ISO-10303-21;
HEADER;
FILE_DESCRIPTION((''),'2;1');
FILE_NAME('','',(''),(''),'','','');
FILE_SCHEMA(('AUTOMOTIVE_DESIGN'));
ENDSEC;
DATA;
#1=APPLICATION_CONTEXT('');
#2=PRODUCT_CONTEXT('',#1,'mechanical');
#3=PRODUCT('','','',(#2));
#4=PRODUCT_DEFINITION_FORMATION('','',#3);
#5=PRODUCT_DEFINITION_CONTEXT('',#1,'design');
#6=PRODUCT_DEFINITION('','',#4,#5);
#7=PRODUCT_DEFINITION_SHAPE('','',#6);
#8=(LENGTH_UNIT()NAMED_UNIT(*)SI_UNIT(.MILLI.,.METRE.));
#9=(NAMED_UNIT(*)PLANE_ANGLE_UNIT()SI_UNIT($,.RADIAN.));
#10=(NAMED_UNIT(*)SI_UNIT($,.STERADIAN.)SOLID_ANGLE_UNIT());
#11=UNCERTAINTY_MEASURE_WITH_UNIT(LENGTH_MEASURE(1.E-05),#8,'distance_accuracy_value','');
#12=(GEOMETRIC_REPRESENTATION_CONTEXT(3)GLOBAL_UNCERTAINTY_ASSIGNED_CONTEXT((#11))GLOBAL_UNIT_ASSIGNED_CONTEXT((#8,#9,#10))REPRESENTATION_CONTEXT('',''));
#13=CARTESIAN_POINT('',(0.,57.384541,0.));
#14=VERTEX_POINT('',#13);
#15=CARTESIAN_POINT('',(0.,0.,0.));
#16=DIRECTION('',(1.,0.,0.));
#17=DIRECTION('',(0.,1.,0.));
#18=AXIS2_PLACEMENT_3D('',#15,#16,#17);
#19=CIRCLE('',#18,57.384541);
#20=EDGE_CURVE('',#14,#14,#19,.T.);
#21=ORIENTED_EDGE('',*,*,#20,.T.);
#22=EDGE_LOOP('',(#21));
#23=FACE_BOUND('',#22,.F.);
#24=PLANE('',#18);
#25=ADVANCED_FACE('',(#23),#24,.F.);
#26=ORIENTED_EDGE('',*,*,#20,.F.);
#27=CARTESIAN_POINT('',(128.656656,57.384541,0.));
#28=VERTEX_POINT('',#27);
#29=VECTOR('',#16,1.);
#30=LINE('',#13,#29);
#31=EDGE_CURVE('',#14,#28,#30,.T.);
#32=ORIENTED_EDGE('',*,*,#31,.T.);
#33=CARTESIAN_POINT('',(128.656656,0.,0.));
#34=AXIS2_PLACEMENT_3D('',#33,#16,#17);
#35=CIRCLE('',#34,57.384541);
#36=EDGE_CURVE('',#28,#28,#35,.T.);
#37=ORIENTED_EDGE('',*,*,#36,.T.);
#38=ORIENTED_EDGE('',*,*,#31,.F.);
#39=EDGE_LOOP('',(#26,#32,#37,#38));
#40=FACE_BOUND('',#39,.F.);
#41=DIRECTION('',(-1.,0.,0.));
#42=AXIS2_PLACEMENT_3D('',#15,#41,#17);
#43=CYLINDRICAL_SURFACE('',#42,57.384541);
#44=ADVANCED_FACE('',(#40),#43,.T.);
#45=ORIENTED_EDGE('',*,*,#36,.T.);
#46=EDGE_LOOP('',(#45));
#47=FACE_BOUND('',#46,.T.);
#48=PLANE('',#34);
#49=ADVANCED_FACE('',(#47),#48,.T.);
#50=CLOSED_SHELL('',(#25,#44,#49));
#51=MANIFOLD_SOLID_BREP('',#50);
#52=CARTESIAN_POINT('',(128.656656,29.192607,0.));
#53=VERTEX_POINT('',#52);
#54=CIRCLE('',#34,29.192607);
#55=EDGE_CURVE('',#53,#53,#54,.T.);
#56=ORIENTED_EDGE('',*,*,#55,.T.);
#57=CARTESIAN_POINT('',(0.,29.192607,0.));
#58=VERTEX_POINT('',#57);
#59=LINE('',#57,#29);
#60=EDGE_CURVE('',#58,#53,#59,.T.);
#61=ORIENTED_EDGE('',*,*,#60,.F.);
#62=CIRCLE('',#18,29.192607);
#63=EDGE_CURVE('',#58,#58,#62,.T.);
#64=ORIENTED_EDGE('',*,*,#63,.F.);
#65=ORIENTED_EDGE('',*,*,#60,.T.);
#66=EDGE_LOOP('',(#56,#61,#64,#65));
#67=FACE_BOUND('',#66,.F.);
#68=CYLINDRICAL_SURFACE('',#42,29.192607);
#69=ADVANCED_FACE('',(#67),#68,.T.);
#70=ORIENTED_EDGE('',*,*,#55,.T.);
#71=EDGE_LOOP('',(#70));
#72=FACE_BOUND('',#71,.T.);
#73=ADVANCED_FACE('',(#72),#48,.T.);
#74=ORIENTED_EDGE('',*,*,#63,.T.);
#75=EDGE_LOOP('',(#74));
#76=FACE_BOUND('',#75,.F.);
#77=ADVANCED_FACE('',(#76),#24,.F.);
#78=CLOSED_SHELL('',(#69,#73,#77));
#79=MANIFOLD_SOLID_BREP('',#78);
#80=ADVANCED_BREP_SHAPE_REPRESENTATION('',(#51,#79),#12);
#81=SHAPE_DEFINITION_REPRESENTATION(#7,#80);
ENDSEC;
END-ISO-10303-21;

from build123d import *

# Parameters (mm, degrees)
F1_R     = 29.1926067126
F2_DEPTH = 128.65665555
F0_R     = 57.3845413785


with BuildPart() as f2:
    # F1 (on Right) → F2 (new body)
    with BuildSketch(Plane.YZ):
        Circle(F1_R)
    extrude(amount=F2_DEPTH)


with BuildPart() as f2b:
    # F0 (on Right) → F2, piece 2 (new body)
    with BuildSketch(Plane.YZ):
        Circle(F0_R)
    extrude(amount=F2_DEPTH)


solid = Compound([f2.part, f2b.part])
